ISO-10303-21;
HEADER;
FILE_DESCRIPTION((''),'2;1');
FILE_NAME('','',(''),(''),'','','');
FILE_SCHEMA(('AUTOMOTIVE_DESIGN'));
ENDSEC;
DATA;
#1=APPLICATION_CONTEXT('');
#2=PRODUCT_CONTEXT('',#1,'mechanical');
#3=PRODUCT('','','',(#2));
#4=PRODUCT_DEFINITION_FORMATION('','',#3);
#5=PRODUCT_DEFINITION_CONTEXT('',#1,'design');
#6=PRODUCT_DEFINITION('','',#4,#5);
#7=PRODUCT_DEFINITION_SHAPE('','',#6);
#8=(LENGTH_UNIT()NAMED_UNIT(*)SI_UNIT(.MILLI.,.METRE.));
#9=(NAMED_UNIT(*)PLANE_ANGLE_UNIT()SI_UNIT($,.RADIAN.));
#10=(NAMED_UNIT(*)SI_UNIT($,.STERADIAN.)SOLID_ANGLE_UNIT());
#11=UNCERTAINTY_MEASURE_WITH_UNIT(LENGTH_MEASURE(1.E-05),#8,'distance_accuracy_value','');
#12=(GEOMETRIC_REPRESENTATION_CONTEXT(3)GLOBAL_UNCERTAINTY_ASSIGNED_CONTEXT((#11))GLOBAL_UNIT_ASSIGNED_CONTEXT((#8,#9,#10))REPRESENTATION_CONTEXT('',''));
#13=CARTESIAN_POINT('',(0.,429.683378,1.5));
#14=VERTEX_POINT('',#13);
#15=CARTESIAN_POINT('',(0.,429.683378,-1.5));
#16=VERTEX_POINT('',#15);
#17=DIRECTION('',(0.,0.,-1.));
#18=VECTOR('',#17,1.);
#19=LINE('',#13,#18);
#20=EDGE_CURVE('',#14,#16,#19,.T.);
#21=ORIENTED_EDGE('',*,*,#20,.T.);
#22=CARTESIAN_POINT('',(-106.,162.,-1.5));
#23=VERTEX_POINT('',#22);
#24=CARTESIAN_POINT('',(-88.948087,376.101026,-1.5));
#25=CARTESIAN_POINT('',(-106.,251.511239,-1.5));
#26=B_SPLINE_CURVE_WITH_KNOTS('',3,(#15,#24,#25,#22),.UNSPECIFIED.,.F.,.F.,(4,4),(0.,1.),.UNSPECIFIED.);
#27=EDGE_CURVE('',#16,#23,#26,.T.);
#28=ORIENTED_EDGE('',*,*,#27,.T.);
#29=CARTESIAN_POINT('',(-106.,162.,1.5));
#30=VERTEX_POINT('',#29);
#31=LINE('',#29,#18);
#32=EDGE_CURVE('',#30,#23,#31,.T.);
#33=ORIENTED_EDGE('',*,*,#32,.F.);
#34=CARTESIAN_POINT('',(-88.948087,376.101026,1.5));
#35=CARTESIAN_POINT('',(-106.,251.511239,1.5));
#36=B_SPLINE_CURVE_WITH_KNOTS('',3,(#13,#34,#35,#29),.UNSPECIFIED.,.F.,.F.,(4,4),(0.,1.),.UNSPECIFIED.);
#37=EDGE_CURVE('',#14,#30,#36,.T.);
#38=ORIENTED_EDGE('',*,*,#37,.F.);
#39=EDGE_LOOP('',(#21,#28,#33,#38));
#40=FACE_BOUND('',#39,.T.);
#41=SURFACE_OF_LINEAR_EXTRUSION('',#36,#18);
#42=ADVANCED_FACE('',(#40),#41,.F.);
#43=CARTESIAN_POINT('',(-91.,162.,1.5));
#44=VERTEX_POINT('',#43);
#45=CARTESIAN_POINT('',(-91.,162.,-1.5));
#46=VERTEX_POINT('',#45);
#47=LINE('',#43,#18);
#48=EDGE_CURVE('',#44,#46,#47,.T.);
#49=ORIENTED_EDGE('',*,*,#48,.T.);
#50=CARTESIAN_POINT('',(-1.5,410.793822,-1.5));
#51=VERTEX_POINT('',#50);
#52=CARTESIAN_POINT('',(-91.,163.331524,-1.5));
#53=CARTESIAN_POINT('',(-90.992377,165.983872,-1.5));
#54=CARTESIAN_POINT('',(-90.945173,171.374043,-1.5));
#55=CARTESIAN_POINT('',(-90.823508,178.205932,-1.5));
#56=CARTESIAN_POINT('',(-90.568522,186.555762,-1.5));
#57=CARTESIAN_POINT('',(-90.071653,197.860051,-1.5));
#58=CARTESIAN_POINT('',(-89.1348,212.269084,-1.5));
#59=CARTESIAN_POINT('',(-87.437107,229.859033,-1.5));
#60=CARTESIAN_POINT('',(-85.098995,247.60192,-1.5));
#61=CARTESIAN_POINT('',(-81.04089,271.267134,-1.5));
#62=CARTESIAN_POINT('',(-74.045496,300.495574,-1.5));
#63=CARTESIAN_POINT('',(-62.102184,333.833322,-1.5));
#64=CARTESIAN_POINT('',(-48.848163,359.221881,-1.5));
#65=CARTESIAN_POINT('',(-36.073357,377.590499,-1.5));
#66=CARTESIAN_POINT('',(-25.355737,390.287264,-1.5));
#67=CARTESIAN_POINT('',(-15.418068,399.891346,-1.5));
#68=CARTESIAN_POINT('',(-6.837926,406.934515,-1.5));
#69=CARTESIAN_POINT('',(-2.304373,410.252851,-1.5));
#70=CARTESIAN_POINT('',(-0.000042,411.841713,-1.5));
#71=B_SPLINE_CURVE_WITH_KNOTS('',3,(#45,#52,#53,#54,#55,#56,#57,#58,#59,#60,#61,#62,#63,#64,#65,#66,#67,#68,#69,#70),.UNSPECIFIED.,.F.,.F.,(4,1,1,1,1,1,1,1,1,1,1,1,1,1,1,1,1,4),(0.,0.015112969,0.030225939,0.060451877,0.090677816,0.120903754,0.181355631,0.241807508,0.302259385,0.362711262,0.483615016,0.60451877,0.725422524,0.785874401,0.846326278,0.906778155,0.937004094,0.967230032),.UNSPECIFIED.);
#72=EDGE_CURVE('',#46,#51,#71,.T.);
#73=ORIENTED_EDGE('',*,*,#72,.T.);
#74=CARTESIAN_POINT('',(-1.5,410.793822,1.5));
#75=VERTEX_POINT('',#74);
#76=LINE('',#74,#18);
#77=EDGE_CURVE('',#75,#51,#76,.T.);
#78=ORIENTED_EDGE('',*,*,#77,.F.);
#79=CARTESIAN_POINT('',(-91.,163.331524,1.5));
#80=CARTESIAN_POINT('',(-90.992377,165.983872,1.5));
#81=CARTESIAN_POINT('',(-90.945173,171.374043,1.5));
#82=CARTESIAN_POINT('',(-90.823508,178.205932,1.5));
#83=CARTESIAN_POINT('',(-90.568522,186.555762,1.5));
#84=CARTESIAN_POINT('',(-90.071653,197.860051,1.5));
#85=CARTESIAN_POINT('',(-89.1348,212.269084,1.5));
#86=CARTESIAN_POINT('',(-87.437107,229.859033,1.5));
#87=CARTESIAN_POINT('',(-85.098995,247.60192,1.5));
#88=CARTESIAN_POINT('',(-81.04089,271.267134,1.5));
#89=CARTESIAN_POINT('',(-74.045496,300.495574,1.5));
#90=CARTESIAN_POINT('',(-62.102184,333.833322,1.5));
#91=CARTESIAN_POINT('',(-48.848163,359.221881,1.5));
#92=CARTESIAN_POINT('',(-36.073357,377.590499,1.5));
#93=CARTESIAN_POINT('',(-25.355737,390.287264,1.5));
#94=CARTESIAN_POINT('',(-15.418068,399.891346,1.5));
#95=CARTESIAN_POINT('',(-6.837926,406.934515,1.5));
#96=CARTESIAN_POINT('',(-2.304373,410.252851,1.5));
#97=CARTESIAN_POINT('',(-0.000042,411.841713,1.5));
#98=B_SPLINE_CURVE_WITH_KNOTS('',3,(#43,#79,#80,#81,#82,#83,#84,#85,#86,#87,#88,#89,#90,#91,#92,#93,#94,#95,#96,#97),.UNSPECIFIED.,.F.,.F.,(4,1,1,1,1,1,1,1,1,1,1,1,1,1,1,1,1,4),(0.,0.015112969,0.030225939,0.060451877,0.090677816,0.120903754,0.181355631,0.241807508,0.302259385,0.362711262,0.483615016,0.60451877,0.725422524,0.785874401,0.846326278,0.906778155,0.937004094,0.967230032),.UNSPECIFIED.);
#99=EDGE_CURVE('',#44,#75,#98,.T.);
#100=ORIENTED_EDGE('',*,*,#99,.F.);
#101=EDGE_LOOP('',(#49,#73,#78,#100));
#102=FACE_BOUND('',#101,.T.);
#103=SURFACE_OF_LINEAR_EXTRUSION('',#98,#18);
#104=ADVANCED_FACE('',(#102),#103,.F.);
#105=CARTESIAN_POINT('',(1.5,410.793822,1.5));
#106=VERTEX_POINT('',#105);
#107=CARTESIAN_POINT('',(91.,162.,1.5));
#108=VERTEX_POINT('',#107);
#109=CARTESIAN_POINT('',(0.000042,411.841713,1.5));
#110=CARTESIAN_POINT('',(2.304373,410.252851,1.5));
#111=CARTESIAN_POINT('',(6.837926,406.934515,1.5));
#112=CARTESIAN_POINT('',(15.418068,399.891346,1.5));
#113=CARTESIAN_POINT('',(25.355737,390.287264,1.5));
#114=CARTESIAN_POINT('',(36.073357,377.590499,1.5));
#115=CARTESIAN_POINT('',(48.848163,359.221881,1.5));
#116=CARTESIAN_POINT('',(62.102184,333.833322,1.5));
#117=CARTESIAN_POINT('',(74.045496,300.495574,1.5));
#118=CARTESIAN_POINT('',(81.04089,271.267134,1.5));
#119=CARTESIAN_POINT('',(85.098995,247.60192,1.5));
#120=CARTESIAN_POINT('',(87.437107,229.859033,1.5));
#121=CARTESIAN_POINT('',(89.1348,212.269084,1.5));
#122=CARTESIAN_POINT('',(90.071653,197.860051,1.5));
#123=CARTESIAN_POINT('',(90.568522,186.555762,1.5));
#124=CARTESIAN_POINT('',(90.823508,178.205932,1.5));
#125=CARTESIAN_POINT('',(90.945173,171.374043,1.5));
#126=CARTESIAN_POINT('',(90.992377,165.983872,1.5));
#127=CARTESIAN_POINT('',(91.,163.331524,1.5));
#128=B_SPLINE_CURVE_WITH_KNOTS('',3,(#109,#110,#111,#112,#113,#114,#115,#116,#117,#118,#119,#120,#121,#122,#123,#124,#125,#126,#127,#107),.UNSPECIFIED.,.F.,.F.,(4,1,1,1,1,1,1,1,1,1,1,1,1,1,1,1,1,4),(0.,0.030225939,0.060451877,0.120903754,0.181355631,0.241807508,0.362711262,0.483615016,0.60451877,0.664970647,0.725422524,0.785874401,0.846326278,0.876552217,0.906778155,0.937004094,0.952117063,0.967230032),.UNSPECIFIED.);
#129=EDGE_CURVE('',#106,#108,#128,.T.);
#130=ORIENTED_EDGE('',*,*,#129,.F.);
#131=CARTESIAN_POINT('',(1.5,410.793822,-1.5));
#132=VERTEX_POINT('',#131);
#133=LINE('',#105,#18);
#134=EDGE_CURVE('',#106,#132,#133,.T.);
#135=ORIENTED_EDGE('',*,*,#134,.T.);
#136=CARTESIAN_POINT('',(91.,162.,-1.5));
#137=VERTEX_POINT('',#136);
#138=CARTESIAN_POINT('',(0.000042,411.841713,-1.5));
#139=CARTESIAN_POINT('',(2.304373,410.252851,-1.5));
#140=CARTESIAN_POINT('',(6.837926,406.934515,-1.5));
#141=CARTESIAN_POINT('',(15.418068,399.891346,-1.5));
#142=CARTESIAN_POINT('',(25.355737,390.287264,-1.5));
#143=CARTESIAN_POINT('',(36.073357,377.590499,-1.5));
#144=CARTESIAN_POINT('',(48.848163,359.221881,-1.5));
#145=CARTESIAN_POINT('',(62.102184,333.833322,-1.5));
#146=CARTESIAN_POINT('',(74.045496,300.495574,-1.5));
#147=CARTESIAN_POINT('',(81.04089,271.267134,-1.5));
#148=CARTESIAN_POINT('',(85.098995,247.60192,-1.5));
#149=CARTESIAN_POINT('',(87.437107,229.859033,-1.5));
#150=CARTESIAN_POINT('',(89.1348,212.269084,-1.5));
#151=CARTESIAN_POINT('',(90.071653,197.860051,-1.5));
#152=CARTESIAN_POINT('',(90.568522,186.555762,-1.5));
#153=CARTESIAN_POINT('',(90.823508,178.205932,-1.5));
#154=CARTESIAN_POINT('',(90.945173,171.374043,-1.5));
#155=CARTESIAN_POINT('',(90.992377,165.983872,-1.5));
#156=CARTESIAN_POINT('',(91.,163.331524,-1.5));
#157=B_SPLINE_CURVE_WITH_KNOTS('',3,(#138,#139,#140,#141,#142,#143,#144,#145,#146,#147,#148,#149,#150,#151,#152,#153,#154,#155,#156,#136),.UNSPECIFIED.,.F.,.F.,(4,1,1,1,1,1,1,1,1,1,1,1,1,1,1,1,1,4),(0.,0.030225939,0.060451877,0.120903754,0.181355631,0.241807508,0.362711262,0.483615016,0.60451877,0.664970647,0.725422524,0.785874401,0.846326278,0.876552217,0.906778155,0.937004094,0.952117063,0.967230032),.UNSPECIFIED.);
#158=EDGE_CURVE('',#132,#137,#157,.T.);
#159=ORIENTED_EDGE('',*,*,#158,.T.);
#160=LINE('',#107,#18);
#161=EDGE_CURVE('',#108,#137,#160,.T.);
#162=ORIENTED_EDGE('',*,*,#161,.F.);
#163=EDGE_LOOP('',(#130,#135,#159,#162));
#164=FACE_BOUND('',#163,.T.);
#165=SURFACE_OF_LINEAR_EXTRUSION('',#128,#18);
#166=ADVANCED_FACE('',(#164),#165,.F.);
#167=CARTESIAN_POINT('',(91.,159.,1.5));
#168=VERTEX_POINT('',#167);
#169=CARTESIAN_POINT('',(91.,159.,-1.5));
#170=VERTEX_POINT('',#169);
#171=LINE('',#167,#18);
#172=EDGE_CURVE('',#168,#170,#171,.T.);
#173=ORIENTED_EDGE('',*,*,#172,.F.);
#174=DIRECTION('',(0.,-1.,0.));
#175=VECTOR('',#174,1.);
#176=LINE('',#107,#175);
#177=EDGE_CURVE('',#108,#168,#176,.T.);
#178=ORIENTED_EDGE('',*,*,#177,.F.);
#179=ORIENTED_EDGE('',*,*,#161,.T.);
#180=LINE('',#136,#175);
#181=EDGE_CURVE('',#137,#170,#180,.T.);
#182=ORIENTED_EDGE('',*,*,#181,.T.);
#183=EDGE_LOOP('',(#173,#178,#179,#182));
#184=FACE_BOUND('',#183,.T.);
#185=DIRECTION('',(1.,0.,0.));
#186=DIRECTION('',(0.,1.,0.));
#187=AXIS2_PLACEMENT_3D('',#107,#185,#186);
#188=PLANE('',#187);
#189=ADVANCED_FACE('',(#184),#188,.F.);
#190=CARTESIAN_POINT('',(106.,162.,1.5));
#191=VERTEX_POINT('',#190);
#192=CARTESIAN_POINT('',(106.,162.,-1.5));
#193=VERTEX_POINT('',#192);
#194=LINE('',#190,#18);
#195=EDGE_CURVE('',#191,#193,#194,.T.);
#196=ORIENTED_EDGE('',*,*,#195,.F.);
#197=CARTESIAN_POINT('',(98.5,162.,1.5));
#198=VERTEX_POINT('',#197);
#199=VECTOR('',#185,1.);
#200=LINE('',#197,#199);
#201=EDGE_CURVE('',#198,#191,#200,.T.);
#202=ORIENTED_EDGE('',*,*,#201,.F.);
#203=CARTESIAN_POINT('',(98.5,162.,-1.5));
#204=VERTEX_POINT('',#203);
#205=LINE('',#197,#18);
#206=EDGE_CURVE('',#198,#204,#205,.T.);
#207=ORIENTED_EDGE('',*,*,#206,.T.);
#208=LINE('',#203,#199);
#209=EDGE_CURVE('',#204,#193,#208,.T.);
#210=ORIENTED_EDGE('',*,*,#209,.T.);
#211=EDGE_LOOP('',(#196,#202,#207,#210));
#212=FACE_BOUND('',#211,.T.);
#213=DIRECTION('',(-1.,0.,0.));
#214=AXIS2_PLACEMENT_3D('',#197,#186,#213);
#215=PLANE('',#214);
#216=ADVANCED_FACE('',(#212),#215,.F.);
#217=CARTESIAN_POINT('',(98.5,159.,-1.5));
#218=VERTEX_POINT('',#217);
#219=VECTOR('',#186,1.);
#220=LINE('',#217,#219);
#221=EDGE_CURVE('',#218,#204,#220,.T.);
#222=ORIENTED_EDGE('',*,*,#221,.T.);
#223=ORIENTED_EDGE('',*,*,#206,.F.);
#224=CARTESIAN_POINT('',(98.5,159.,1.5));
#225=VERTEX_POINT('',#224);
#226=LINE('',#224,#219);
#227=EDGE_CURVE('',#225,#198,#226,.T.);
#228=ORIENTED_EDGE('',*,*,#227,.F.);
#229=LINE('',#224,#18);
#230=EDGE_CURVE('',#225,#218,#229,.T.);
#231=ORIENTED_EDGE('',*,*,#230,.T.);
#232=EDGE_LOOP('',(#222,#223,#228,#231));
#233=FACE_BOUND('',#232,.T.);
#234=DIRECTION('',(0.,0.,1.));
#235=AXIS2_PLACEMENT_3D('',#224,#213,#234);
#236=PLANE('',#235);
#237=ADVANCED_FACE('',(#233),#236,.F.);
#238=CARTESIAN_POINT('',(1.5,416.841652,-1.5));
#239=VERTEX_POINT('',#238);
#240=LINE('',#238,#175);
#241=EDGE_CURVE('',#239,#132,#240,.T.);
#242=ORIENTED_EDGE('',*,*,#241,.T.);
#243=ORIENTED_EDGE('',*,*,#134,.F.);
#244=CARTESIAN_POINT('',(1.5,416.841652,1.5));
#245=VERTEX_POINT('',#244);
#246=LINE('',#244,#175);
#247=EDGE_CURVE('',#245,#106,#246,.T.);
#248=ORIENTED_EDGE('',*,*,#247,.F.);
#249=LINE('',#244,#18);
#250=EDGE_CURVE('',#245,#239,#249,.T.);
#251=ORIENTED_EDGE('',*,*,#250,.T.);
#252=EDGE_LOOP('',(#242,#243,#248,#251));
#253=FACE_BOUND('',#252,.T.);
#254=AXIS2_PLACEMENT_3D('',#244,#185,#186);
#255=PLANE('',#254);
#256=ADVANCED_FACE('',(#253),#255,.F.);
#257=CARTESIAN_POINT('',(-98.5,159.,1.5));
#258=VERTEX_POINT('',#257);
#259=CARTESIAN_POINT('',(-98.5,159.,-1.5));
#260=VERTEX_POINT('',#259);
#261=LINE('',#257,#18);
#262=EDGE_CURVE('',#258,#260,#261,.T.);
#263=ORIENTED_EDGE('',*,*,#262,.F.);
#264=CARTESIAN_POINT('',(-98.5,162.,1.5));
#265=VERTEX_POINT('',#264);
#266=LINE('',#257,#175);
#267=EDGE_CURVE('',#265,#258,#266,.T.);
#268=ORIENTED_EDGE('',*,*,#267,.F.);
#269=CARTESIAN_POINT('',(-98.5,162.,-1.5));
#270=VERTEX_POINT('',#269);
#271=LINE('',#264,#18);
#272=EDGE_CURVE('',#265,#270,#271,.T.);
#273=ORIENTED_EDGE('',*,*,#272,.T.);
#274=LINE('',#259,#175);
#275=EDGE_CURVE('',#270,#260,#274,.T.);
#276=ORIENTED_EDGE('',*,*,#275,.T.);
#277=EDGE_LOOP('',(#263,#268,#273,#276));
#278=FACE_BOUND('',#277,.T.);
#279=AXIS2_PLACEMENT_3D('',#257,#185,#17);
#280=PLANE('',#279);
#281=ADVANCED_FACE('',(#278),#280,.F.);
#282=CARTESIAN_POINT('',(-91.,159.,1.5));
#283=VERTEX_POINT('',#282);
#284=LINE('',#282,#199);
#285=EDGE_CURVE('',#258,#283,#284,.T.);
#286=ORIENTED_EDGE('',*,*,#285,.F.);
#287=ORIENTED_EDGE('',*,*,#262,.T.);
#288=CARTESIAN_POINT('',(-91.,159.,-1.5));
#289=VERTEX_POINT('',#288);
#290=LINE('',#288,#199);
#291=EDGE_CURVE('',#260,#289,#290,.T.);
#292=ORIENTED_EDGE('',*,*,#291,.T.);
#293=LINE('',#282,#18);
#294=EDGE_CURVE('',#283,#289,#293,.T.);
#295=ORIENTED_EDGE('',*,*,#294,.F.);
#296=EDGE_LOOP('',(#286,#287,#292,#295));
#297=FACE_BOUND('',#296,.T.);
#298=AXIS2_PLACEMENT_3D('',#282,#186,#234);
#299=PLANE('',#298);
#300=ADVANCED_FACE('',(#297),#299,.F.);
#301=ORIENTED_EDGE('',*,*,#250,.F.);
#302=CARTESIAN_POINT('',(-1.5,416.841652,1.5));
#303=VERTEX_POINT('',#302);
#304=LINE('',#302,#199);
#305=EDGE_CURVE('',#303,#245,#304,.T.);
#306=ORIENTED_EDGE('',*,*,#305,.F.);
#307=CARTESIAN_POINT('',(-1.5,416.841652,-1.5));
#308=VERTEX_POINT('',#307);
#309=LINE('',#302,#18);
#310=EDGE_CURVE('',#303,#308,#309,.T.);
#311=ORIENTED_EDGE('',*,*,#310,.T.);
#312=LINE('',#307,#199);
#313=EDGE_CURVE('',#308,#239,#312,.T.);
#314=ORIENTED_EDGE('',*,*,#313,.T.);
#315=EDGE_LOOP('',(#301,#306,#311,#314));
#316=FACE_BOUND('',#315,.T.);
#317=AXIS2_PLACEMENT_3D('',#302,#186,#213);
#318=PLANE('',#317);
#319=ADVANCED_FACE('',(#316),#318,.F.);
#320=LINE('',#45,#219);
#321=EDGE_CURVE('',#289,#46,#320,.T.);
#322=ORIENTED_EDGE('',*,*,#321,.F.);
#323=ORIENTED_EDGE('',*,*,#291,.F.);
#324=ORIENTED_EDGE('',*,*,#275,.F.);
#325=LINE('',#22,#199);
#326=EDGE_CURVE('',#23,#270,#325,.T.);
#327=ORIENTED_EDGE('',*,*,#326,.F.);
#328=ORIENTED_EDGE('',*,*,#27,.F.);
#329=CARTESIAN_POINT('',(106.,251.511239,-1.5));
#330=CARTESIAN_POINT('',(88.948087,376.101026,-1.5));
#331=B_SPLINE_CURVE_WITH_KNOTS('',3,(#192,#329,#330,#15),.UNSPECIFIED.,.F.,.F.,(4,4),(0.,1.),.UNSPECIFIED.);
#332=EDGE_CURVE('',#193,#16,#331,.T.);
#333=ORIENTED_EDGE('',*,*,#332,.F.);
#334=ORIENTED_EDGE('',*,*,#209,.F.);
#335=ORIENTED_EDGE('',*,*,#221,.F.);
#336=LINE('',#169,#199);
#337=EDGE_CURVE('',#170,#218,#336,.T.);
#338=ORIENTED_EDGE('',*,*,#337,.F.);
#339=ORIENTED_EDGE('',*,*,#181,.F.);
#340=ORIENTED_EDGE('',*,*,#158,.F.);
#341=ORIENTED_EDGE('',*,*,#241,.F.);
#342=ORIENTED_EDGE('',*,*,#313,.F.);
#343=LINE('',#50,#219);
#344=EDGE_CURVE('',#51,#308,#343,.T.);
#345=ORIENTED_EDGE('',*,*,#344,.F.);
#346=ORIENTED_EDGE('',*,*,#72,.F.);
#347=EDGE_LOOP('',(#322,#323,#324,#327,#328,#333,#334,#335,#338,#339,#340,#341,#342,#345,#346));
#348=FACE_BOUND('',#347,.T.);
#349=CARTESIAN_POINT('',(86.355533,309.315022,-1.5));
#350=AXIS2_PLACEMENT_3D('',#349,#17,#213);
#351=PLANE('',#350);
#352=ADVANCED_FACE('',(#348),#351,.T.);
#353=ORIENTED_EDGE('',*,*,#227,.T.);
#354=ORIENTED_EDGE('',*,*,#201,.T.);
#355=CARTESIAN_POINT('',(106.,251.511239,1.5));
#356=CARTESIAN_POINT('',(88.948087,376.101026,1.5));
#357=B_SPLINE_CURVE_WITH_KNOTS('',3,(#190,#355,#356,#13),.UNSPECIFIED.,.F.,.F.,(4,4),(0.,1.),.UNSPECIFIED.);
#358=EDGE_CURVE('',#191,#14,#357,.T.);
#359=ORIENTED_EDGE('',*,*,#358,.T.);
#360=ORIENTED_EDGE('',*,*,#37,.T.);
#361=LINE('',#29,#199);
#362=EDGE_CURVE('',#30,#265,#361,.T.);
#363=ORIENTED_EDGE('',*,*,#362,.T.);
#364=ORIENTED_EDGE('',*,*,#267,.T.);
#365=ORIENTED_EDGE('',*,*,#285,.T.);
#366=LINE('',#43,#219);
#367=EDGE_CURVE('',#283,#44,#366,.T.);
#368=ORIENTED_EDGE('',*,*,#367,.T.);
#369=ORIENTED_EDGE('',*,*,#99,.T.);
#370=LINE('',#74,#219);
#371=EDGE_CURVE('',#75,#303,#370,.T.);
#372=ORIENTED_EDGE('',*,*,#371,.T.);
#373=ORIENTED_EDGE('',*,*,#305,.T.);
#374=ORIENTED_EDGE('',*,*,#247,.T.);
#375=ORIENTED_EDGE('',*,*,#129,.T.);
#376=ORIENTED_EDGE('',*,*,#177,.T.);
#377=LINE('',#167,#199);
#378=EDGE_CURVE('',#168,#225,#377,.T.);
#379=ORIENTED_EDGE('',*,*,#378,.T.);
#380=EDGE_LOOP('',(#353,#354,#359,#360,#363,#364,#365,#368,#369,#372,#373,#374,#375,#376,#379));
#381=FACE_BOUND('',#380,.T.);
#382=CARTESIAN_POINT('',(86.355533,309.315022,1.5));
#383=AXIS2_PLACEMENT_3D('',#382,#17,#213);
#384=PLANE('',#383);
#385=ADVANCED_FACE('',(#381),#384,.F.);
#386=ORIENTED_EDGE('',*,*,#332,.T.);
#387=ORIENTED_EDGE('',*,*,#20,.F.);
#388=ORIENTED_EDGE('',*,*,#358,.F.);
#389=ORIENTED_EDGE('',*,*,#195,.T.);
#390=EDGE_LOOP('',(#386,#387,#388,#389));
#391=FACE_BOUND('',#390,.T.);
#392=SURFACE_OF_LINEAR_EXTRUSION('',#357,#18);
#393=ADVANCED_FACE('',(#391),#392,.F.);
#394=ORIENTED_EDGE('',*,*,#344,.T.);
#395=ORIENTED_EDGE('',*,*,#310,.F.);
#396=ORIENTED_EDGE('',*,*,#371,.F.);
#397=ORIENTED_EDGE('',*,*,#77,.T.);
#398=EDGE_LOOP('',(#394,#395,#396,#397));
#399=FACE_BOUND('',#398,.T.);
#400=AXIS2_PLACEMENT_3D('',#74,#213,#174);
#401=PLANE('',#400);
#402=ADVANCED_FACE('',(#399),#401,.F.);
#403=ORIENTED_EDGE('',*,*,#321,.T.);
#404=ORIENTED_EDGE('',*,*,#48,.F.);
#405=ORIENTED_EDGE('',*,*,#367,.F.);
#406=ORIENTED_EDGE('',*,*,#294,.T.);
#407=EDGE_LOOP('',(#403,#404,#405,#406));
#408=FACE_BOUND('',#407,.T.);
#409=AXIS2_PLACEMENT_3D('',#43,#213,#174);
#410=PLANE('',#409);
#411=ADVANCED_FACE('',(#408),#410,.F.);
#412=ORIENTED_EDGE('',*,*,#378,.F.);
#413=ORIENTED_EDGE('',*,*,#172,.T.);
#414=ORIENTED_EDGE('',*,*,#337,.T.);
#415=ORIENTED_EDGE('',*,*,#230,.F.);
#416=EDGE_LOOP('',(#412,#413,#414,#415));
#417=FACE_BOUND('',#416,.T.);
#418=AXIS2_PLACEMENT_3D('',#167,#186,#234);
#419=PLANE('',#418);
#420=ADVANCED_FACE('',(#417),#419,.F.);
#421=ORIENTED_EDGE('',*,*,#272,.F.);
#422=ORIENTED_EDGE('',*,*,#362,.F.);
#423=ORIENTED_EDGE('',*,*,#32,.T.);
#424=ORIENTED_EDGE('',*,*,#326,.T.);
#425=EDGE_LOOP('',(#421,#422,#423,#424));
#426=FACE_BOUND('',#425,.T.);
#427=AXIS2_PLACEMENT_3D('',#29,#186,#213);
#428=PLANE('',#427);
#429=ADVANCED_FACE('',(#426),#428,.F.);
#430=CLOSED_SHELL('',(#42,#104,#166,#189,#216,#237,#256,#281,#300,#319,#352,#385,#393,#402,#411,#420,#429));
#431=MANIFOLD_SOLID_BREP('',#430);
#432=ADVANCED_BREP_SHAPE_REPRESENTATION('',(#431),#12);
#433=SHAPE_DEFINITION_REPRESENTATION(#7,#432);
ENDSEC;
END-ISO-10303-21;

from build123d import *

# Parameters (mm, degrees)
BOSS_EXTRUDE1_DEPTH = 1.5


with BuildPart() as part:
    # Sketch1 → Boss-Extrude1 (new, symmetric)
    with BuildSketch(Plane.XY):
        with BuildLine():
            Line((-106, 162), (-98.5, 162))
            Line((-98.5, 162), (-98.5, 159))
            Line((-98.5, 159), (-91, 159))
            Line((-91, 159), (-91, 162))
            add(Edge.make_bspline(
                [(-91, 162), (-91, 163.331524141), (-90.992376318, 165.983870931), (-90.945171024, 171.374041262), (-90.823504223, 178.205929247), (-90.568516042, 186.555758505), (-90.071645038, 197.860045048), (-89.134789291, 212.26907526), (-87.43709218, 229.859021299), (-85.098976262, 247.601905442), (-81.040866449, 271.26711415), (-74.045466816, 300.495547841), (-62.102149991, 333.833287872), (-48.848124705, 359.221840008), (-36.073317005, 377.590452103), (-25.355695414, 390.287212667), (-15.418026325, 399.891290702), (-7.305039618, 406.550984174), (-3.288780832, 409.527699977), (-1.5, 410.793822053)],
                knots=[0, 0, 0, 0, 0.015112969, 0.030225939, 0.060451877, 0.090677816, 0.120903754, 0.181355631, 0.241807508, 0.302259385, 0.362711262, 0.483615016, 0.60451877, 0.725422524, 0.785874401, 0.846326278, 0.906778155, 0.937004094, 0.960647293, 0.960647293, 0.960647293, 0.960647293], degree=3))
            Line((-1.5, 410.793822053), (-1.5, 416.841652361))
            Line((-1.5, 416.841652361), (1.5, 416.841652361))
            Line((1.5, 416.841652361), (1.5, 410.793822053))
            add(Edge.make_bspline(
                [(1.5, 410.793822053), (3.288780833, 409.527699976), (7.305039619, 406.550984173), (15.418026325, 399.891290702), (25.355695414, 390.287212667), (36.073317005, 377.590452103), (48.848124705, 359.221840008), (62.102149991, 333.833287872), (74.045466816, 300.495547841), (81.040866449, 271.26711415), (85.098976262, 247.601905442), (87.43709218, 229.859021299), (89.134789291, 212.26907526), (90.071645038, 197.860045048), (90.568516042, 186.555758505), (90.823504223, 178.205929247), (90.945171024, 171.374041262), (90.992376318, 165.983870931), (91, 163.331524141), (91, 162)],
                knots=[0.00658274, 0.00658274, 0.00658274, 0.00658274, 0.030225939, 0.060451877, 0.120903754, 0.181355631, 0.241807508, 0.362711262, 0.483615016, 0.60451877, 0.664970647, 0.725422524, 0.785874401, 0.846326278, 0.876552217, 0.906778155, 0.937004094, 0.952117063, 0.967230032, 0.967230032, 0.967230032, 0.967230032], degree=3))
            Line((91, 162), (91, 159))
            Line((91, 159), (98.5, 159))
            Line((98.5, 159), (98.5, 162))
            Line((98.5, 162), (106, 162))
            add(Edge.make_bspline(
                [(106, 162), (106, 251.51123923), (88.948086668, 376.101025723), (0, 429.683378347)],
                knots=[0, 0, 0, 0, 1, 1, 1, 1], degree=3))
            add(Edge.make_bspline(
                [(-106, 162), (-106, 251.51123923), (-88.948086668, 376.101025723), (0, 429.683378347)],
                knots=[0, 0, 0, 0, 1, 1, 1, 1], degree=3))
        make_face()
    extrude(amount=BOSS_EXTRUDE1_DEPTH, both=True)


solid = part.part
